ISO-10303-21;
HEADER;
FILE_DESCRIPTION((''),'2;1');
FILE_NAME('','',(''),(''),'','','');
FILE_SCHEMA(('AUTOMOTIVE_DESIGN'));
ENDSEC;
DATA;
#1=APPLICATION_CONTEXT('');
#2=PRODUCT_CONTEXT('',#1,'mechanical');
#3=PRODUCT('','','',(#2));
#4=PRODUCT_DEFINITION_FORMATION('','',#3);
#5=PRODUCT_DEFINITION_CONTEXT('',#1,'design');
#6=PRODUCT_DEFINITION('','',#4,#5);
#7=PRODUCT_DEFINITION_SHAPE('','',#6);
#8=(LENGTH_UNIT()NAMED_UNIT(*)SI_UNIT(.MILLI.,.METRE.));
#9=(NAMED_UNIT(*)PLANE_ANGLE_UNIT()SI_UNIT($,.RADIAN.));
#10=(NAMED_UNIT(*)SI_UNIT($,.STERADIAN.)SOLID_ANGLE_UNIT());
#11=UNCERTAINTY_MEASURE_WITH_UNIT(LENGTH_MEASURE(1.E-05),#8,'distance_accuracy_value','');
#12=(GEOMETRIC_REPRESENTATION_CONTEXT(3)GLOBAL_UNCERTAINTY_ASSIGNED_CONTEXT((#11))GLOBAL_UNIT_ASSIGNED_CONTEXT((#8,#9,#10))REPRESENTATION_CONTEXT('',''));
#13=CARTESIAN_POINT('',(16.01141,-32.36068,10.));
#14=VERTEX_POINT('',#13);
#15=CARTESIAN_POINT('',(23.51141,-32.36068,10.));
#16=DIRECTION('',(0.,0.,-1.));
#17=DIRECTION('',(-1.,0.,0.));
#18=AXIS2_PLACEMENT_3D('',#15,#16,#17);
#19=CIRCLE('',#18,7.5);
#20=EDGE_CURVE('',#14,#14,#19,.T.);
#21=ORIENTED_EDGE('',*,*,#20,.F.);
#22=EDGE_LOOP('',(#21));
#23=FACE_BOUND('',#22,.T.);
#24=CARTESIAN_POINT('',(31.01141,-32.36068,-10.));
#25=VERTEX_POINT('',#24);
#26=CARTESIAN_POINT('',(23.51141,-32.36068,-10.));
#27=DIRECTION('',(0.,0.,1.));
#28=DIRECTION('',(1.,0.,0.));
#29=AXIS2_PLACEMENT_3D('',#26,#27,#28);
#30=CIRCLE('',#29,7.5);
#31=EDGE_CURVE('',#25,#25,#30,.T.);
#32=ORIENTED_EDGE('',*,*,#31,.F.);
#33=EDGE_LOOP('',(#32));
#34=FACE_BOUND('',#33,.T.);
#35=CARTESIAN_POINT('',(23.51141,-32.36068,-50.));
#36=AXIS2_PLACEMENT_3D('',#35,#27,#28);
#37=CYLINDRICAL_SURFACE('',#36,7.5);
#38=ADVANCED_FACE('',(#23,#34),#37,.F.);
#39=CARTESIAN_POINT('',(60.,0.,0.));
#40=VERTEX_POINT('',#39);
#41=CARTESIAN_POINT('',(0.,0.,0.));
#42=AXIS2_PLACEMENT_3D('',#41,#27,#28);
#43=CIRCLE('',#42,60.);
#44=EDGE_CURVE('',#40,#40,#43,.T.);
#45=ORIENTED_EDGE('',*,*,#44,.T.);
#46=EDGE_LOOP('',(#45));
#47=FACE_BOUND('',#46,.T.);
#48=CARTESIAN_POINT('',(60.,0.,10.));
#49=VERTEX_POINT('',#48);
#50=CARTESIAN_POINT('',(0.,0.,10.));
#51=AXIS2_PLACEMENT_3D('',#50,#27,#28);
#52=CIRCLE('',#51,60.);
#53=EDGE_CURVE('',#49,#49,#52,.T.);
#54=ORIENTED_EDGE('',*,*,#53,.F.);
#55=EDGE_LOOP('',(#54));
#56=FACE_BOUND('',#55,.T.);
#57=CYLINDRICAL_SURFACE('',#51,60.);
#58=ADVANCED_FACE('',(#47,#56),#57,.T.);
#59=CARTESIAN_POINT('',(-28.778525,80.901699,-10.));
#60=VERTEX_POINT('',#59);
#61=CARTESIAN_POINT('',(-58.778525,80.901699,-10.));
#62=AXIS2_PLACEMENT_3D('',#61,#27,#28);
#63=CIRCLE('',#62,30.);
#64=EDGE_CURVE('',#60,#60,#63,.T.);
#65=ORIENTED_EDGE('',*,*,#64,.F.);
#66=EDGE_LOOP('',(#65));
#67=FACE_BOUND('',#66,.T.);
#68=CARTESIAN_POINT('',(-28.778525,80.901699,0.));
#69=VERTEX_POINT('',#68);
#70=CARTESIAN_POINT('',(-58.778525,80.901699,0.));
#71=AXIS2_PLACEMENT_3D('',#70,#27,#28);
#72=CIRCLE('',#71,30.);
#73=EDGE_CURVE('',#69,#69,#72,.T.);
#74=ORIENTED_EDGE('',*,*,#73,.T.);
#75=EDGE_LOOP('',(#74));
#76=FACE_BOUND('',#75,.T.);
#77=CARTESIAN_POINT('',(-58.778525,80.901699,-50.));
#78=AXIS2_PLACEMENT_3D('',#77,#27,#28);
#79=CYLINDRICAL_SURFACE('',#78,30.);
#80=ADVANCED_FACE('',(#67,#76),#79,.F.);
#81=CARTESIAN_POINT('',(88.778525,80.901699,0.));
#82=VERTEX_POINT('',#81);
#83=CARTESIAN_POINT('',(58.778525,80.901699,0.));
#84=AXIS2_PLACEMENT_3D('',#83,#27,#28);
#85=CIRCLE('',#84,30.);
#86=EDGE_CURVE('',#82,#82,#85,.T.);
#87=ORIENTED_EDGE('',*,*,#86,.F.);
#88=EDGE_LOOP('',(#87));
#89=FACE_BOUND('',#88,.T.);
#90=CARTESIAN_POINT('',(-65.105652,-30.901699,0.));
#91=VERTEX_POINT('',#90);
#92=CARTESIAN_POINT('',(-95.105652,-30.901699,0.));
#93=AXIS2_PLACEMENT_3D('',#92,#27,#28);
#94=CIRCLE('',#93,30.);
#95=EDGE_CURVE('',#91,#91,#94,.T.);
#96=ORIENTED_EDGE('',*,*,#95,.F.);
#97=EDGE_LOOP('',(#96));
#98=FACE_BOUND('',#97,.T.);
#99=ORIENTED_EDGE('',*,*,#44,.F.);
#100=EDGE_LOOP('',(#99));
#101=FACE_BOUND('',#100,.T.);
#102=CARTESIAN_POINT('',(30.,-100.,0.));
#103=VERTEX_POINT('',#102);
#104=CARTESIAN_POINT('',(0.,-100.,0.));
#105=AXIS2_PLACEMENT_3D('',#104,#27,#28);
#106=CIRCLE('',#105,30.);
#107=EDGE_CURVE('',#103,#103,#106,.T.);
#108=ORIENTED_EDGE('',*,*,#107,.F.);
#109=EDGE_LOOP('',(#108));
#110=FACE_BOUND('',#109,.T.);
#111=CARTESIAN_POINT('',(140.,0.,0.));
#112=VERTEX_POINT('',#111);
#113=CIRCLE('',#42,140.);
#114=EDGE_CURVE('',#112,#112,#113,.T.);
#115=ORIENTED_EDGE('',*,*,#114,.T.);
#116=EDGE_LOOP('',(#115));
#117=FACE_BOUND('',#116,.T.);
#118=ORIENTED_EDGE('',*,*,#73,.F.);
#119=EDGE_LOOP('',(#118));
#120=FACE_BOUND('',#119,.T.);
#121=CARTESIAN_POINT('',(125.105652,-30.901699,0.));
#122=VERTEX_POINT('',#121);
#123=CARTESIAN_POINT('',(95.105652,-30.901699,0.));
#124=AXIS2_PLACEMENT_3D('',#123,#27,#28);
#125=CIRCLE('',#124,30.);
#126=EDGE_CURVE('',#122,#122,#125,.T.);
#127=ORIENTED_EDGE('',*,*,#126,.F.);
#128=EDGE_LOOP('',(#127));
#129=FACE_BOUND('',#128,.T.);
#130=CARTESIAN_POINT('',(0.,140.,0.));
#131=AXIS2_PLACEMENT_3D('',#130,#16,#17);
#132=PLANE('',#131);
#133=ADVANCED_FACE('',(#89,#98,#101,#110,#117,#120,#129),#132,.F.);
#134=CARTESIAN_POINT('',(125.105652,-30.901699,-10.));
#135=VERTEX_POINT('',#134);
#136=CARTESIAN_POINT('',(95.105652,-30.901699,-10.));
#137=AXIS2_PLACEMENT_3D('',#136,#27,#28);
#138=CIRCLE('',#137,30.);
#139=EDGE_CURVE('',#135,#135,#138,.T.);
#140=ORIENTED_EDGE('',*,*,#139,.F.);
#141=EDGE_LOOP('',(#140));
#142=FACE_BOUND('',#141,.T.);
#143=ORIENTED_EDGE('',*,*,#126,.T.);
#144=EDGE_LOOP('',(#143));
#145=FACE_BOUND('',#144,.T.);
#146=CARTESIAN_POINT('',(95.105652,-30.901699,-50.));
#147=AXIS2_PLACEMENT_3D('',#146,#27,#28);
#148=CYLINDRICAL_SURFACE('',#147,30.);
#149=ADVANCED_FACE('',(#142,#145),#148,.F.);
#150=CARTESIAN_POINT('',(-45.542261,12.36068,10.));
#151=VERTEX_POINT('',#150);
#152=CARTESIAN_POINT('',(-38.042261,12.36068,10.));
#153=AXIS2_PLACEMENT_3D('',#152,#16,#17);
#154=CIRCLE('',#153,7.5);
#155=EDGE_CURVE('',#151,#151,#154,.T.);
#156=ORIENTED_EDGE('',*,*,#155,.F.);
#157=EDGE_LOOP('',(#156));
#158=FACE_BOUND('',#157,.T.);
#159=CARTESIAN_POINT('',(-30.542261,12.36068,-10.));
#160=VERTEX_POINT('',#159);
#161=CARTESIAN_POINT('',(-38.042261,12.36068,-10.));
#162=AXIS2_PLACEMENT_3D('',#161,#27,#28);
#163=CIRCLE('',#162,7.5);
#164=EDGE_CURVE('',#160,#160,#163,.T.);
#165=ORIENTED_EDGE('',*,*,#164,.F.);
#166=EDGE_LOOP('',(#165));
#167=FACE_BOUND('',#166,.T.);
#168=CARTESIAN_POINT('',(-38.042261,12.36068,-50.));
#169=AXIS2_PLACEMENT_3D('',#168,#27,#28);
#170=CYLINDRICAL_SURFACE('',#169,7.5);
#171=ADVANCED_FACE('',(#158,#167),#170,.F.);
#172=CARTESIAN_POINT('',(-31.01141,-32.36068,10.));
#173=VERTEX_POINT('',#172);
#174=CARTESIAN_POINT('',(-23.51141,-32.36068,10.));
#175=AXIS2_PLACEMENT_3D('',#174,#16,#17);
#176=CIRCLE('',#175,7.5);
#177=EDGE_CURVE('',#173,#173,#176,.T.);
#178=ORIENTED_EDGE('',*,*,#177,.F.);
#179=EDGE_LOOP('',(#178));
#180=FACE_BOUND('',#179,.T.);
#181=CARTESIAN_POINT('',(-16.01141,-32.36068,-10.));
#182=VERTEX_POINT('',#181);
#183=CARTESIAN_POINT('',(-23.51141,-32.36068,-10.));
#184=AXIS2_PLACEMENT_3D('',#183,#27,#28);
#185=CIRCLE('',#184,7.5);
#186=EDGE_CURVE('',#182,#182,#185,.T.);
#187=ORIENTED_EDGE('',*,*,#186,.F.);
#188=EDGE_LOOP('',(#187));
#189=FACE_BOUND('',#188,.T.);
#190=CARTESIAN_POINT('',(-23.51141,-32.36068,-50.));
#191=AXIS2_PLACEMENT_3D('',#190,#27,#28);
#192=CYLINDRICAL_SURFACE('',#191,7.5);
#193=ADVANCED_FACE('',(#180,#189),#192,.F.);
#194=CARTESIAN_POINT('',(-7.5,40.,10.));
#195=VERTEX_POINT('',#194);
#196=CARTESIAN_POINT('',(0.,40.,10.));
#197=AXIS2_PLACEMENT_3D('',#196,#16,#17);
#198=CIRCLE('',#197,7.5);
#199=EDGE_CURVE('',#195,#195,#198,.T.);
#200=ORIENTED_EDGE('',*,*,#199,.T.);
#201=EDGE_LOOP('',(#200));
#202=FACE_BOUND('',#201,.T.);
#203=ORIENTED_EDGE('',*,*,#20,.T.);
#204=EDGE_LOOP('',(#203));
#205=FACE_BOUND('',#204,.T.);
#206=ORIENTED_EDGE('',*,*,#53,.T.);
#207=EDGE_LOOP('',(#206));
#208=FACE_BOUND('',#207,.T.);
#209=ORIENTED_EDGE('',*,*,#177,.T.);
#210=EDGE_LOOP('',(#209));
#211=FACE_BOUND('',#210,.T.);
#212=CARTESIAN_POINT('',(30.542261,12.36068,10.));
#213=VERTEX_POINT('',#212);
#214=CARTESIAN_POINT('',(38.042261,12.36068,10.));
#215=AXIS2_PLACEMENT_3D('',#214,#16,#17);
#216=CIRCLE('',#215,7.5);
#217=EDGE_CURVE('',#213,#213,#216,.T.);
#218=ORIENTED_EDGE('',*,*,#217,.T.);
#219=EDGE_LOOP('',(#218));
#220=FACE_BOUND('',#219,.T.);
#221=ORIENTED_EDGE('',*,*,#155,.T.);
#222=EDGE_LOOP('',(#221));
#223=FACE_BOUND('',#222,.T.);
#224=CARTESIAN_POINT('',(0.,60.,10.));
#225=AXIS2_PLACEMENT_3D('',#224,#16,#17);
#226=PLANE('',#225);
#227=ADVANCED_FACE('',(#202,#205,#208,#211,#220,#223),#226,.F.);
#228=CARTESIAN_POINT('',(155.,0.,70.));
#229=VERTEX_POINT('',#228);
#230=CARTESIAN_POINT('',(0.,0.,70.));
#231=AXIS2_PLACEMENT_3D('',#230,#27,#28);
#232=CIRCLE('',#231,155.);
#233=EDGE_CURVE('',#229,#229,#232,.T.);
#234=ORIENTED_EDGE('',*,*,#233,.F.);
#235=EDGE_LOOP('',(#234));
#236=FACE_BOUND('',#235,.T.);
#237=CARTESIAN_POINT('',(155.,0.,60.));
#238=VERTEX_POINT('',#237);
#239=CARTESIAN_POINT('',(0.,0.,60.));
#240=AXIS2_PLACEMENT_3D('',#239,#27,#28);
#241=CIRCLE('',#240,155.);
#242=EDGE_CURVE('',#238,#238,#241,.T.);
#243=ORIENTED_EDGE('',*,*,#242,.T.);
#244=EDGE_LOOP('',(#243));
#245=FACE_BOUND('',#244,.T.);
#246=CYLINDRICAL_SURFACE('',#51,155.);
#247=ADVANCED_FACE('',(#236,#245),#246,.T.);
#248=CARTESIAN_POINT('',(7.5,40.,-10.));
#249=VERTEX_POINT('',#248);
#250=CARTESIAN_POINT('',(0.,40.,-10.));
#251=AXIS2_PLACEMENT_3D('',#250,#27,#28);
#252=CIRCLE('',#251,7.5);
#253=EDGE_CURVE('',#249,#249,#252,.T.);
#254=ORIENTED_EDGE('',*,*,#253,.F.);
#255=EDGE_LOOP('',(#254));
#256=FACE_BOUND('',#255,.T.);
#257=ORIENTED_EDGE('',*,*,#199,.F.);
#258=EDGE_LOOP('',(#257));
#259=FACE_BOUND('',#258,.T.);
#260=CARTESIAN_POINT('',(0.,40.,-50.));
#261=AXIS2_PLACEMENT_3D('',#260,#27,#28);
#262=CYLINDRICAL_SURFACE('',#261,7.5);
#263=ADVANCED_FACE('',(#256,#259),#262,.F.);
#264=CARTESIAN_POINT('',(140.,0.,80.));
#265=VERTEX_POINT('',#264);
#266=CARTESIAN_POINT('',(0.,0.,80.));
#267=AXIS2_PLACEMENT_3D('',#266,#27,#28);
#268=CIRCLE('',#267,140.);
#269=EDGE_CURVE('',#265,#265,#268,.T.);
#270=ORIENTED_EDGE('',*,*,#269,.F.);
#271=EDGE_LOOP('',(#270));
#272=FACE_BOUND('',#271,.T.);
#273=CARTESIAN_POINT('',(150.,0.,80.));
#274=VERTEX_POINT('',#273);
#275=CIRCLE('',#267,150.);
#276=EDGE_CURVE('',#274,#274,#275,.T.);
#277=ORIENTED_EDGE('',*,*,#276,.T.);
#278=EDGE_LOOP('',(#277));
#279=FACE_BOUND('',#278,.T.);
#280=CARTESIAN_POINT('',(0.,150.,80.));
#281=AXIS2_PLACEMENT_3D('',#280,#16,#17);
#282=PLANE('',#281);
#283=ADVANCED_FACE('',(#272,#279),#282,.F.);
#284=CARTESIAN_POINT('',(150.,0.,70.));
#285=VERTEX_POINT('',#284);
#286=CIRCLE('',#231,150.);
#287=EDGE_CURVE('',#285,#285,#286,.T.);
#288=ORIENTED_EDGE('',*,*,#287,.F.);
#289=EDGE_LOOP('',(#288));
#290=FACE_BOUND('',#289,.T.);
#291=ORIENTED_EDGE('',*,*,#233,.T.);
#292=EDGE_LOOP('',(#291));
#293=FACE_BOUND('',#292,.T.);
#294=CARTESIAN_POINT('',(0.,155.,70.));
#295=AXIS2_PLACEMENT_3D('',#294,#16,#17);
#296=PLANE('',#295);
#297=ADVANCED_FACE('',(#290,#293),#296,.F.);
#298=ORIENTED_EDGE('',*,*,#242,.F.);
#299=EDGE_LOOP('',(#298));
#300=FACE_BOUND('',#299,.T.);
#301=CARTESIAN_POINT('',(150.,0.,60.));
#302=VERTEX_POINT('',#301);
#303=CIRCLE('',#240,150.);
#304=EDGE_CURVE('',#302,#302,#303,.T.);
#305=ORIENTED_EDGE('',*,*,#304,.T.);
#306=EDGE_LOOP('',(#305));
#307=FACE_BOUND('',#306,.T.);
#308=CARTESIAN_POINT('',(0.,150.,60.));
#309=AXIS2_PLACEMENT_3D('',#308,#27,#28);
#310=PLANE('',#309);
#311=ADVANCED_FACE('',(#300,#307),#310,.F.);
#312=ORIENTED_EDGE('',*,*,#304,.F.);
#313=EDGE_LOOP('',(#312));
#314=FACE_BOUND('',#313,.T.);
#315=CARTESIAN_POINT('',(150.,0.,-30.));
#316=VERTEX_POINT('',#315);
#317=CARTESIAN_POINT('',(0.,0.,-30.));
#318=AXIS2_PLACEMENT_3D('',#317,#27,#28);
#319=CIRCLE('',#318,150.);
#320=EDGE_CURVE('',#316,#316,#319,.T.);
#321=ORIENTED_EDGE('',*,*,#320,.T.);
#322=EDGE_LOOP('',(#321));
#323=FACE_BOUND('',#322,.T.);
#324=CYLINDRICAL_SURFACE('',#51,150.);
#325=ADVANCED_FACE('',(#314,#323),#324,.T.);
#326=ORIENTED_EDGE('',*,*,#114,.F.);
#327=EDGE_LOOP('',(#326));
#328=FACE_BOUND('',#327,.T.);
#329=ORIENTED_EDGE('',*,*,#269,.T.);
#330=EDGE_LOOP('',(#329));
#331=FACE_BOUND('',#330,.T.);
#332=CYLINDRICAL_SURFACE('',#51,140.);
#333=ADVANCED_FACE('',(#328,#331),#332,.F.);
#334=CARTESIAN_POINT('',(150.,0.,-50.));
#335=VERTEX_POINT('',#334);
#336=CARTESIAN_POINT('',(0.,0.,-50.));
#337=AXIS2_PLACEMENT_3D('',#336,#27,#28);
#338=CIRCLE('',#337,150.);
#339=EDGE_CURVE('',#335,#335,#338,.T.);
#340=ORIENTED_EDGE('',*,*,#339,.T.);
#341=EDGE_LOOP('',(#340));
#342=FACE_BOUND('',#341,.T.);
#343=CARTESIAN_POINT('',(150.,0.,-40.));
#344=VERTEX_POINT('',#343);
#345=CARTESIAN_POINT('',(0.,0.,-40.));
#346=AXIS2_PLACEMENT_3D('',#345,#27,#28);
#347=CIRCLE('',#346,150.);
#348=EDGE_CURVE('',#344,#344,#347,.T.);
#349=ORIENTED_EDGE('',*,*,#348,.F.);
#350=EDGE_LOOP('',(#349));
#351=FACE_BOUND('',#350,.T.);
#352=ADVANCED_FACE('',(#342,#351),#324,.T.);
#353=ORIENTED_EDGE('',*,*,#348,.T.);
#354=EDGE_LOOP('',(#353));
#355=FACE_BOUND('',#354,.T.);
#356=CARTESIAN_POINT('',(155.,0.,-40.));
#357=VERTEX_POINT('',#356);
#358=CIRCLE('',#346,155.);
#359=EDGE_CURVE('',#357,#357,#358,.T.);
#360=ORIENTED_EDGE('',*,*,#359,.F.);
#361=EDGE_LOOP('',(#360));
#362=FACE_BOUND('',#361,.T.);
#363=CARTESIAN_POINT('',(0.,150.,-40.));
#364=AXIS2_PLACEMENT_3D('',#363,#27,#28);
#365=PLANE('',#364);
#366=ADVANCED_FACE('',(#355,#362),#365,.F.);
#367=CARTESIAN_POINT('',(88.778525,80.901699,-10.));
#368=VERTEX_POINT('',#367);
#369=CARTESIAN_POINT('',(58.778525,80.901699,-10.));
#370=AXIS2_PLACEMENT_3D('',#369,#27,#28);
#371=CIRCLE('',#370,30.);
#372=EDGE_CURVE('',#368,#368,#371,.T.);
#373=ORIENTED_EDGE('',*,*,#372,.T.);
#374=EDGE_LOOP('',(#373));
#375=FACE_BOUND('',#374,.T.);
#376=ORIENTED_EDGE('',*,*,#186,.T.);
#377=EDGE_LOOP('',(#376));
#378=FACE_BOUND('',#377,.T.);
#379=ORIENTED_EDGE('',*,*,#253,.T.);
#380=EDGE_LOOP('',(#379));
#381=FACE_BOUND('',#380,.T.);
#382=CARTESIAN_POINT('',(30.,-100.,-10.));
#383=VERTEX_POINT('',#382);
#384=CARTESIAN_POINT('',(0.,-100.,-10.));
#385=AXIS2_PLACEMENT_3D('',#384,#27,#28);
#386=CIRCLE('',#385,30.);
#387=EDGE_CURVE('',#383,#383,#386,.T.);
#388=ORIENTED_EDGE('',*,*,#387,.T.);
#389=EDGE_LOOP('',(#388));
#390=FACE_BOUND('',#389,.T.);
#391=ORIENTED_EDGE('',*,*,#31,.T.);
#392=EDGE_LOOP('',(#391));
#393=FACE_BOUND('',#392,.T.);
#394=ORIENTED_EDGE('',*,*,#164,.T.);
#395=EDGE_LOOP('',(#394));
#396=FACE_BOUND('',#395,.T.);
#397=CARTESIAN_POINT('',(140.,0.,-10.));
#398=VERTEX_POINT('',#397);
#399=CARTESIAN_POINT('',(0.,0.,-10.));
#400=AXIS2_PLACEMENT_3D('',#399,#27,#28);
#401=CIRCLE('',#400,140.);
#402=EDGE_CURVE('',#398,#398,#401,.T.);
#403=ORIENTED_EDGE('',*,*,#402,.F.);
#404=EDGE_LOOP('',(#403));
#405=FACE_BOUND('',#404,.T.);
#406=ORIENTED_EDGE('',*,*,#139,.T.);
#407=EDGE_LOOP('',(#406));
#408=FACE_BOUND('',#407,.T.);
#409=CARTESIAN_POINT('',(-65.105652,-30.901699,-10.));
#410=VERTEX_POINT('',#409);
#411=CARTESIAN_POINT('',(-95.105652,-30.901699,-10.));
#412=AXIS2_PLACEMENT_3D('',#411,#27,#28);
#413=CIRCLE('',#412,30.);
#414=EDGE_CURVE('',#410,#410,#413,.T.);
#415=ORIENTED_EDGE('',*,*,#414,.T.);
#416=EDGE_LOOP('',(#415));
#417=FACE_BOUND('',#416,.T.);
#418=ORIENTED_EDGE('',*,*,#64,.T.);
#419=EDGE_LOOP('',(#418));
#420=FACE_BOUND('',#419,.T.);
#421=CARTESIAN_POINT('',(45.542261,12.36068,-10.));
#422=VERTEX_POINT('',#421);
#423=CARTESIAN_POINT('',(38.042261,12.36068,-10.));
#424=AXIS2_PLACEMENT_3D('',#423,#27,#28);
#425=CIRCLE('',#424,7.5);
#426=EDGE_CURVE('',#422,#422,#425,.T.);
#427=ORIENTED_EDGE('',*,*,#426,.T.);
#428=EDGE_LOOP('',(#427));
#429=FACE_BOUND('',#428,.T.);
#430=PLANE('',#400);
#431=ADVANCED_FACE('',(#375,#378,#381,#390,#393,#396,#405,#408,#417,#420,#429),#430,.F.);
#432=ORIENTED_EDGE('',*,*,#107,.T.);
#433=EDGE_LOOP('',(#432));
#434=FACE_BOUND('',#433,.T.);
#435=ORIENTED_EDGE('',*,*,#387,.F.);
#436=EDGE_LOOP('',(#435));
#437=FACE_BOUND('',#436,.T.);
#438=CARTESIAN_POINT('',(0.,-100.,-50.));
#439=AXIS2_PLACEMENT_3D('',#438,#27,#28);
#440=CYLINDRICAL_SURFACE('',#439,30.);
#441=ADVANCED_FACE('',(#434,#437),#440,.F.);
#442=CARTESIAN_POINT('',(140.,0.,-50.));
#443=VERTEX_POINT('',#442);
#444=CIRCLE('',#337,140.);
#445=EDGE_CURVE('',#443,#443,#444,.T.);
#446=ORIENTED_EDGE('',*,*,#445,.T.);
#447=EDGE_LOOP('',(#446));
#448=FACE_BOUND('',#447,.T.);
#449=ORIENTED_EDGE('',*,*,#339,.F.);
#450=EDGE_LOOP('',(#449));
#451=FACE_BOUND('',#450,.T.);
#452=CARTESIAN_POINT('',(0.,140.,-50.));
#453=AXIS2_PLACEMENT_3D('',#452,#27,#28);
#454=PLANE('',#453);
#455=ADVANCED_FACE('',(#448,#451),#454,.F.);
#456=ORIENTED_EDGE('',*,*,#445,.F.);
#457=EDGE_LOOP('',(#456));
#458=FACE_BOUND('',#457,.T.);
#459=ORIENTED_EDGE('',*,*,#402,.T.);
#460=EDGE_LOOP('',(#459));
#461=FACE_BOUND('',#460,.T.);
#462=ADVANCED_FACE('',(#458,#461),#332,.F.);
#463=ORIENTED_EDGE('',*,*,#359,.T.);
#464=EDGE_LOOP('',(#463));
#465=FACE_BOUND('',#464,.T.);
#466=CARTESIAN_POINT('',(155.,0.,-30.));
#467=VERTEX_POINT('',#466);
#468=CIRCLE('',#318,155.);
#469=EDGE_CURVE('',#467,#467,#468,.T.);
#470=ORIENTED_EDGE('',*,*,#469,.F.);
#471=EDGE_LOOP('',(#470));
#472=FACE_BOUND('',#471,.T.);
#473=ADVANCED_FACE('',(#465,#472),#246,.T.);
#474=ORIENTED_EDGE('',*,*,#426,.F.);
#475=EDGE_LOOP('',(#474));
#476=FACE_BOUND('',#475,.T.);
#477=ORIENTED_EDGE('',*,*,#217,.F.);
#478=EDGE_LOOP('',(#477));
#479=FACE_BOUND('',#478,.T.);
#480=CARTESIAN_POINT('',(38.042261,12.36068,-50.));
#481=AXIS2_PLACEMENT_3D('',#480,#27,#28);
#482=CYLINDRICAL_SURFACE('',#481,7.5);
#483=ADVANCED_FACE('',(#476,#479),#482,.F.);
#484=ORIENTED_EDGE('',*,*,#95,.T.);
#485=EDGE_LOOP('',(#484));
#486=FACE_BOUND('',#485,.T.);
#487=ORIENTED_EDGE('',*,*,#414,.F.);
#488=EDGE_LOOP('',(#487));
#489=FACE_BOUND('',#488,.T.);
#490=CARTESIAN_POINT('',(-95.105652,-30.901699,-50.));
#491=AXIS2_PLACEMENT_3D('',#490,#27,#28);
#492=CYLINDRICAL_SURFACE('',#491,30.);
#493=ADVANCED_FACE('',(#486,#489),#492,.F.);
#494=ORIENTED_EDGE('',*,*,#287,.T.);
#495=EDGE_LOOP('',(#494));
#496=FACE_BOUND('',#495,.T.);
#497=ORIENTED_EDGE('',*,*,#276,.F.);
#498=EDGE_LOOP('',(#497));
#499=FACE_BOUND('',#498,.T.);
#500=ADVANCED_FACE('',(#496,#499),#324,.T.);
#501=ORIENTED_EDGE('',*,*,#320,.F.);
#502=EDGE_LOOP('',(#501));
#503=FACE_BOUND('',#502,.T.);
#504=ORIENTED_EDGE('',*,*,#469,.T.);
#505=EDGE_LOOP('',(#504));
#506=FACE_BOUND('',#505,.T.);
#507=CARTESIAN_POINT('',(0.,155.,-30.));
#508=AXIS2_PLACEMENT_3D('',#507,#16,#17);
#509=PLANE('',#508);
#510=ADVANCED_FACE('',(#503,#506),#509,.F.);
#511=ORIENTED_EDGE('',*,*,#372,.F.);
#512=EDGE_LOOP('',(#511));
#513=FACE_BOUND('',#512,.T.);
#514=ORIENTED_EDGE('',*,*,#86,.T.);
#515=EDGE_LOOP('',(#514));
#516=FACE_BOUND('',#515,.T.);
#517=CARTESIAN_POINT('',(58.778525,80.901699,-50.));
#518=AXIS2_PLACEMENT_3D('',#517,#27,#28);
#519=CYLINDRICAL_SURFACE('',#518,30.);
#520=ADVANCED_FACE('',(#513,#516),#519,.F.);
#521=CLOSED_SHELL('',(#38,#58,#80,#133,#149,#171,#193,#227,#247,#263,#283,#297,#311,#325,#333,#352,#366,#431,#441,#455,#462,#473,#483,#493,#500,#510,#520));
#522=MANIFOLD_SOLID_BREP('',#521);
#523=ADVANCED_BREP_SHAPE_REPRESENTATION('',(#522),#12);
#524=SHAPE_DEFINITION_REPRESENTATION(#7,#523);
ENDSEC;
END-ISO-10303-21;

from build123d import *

# Parameters (mm, degrees)
SKETCH8_R               = 7.5
CUT_EXTRUDE1_DEPTH      = 71
CUT_EXTRUDE1_DEPTH_BACK = 61
SKETCH9_R               = 30
CUT_EXTRUDE2_DEPTH      = 81
CUT_EXTRUDE2_DEPTH_BACK = 51


with BuildPart() as part:
    # Sketch6 → Revolve3 (revolve)
    with BuildSketch(Plane(origin=(0, 0, 0), x_dir=(0, 0, -1), z_dir=(1, 0, 0))):
        Polygon((0, 0), (10, 0), (10, 140), (50, 140), (50, 150), (40, 150), (40, 155), (30, 155), (30, 150), (-60, 150), (-60, 155), (-70, 155), (-70, 150), (-80, 150), (-80, 140), (0, 140), (0, 60), (-10, 60), (-10, 0), align=None)
    revolve(axis=Axis((0, 0, 10), (0, 0, -1)))

    # Sketch8 → Cut-Extrude1 (cut, two sides)
    with BuildSketch(Plane.XY.offset(10)) as cut_extrude1_sk:
        with Locations((0, 40)):
            Circle(SKETCH8_R)
        with Locations((38.042260652, 12.360679775)):
            Circle(SKETCH8_R)
        with Locations((23.511410092, -32.360679775)):
            Circle(SKETCH8_R)
        with Locations((-23.511410092, -32.360679775)):
            Circle(SKETCH8_R)
        with Locations((-38.042260652, 12.360679775)):
            Circle(SKETCH8_R)
    extrude(amount=CUT_EXTRUDE1_DEPTH, mode=Mode.SUBTRACT)
    extrude(cut_extrude1_sk.sketch, amount=-CUT_EXTRUDE1_DEPTH_BACK, mode=Mode.SUBTRACT)

    # Sketch9 → Cut-Extrude2 (cut, two sides)
    with BuildSketch(Plane.XY) as cut_extrude2_sk:
        with Locations((0, -100)):
            Circle(SKETCH9_R)
        with Locations((-95.10565163, -30.901699437)):
            Circle(SKETCH9_R)
        with Locations((-58.778525229, 80.901699437)):
            Circle(SKETCH9_R)
        with Locations((58.778525229, 80.901699437)):
            Circle(SKETCH9_R)
        with Locations((95.10565163, -30.901699437)):
            Circle(SKETCH9_R)
    extrude(amount=CUT_EXTRUDE2_DEPTH, mode=Mode.SUBTRACT)
    extrude(cut_extrude2_sk.sketch, amount=-CUT_EXTRUDE2_DEPTH_BACK, mode=Mode.SUBTRACT)


solid = part.part
